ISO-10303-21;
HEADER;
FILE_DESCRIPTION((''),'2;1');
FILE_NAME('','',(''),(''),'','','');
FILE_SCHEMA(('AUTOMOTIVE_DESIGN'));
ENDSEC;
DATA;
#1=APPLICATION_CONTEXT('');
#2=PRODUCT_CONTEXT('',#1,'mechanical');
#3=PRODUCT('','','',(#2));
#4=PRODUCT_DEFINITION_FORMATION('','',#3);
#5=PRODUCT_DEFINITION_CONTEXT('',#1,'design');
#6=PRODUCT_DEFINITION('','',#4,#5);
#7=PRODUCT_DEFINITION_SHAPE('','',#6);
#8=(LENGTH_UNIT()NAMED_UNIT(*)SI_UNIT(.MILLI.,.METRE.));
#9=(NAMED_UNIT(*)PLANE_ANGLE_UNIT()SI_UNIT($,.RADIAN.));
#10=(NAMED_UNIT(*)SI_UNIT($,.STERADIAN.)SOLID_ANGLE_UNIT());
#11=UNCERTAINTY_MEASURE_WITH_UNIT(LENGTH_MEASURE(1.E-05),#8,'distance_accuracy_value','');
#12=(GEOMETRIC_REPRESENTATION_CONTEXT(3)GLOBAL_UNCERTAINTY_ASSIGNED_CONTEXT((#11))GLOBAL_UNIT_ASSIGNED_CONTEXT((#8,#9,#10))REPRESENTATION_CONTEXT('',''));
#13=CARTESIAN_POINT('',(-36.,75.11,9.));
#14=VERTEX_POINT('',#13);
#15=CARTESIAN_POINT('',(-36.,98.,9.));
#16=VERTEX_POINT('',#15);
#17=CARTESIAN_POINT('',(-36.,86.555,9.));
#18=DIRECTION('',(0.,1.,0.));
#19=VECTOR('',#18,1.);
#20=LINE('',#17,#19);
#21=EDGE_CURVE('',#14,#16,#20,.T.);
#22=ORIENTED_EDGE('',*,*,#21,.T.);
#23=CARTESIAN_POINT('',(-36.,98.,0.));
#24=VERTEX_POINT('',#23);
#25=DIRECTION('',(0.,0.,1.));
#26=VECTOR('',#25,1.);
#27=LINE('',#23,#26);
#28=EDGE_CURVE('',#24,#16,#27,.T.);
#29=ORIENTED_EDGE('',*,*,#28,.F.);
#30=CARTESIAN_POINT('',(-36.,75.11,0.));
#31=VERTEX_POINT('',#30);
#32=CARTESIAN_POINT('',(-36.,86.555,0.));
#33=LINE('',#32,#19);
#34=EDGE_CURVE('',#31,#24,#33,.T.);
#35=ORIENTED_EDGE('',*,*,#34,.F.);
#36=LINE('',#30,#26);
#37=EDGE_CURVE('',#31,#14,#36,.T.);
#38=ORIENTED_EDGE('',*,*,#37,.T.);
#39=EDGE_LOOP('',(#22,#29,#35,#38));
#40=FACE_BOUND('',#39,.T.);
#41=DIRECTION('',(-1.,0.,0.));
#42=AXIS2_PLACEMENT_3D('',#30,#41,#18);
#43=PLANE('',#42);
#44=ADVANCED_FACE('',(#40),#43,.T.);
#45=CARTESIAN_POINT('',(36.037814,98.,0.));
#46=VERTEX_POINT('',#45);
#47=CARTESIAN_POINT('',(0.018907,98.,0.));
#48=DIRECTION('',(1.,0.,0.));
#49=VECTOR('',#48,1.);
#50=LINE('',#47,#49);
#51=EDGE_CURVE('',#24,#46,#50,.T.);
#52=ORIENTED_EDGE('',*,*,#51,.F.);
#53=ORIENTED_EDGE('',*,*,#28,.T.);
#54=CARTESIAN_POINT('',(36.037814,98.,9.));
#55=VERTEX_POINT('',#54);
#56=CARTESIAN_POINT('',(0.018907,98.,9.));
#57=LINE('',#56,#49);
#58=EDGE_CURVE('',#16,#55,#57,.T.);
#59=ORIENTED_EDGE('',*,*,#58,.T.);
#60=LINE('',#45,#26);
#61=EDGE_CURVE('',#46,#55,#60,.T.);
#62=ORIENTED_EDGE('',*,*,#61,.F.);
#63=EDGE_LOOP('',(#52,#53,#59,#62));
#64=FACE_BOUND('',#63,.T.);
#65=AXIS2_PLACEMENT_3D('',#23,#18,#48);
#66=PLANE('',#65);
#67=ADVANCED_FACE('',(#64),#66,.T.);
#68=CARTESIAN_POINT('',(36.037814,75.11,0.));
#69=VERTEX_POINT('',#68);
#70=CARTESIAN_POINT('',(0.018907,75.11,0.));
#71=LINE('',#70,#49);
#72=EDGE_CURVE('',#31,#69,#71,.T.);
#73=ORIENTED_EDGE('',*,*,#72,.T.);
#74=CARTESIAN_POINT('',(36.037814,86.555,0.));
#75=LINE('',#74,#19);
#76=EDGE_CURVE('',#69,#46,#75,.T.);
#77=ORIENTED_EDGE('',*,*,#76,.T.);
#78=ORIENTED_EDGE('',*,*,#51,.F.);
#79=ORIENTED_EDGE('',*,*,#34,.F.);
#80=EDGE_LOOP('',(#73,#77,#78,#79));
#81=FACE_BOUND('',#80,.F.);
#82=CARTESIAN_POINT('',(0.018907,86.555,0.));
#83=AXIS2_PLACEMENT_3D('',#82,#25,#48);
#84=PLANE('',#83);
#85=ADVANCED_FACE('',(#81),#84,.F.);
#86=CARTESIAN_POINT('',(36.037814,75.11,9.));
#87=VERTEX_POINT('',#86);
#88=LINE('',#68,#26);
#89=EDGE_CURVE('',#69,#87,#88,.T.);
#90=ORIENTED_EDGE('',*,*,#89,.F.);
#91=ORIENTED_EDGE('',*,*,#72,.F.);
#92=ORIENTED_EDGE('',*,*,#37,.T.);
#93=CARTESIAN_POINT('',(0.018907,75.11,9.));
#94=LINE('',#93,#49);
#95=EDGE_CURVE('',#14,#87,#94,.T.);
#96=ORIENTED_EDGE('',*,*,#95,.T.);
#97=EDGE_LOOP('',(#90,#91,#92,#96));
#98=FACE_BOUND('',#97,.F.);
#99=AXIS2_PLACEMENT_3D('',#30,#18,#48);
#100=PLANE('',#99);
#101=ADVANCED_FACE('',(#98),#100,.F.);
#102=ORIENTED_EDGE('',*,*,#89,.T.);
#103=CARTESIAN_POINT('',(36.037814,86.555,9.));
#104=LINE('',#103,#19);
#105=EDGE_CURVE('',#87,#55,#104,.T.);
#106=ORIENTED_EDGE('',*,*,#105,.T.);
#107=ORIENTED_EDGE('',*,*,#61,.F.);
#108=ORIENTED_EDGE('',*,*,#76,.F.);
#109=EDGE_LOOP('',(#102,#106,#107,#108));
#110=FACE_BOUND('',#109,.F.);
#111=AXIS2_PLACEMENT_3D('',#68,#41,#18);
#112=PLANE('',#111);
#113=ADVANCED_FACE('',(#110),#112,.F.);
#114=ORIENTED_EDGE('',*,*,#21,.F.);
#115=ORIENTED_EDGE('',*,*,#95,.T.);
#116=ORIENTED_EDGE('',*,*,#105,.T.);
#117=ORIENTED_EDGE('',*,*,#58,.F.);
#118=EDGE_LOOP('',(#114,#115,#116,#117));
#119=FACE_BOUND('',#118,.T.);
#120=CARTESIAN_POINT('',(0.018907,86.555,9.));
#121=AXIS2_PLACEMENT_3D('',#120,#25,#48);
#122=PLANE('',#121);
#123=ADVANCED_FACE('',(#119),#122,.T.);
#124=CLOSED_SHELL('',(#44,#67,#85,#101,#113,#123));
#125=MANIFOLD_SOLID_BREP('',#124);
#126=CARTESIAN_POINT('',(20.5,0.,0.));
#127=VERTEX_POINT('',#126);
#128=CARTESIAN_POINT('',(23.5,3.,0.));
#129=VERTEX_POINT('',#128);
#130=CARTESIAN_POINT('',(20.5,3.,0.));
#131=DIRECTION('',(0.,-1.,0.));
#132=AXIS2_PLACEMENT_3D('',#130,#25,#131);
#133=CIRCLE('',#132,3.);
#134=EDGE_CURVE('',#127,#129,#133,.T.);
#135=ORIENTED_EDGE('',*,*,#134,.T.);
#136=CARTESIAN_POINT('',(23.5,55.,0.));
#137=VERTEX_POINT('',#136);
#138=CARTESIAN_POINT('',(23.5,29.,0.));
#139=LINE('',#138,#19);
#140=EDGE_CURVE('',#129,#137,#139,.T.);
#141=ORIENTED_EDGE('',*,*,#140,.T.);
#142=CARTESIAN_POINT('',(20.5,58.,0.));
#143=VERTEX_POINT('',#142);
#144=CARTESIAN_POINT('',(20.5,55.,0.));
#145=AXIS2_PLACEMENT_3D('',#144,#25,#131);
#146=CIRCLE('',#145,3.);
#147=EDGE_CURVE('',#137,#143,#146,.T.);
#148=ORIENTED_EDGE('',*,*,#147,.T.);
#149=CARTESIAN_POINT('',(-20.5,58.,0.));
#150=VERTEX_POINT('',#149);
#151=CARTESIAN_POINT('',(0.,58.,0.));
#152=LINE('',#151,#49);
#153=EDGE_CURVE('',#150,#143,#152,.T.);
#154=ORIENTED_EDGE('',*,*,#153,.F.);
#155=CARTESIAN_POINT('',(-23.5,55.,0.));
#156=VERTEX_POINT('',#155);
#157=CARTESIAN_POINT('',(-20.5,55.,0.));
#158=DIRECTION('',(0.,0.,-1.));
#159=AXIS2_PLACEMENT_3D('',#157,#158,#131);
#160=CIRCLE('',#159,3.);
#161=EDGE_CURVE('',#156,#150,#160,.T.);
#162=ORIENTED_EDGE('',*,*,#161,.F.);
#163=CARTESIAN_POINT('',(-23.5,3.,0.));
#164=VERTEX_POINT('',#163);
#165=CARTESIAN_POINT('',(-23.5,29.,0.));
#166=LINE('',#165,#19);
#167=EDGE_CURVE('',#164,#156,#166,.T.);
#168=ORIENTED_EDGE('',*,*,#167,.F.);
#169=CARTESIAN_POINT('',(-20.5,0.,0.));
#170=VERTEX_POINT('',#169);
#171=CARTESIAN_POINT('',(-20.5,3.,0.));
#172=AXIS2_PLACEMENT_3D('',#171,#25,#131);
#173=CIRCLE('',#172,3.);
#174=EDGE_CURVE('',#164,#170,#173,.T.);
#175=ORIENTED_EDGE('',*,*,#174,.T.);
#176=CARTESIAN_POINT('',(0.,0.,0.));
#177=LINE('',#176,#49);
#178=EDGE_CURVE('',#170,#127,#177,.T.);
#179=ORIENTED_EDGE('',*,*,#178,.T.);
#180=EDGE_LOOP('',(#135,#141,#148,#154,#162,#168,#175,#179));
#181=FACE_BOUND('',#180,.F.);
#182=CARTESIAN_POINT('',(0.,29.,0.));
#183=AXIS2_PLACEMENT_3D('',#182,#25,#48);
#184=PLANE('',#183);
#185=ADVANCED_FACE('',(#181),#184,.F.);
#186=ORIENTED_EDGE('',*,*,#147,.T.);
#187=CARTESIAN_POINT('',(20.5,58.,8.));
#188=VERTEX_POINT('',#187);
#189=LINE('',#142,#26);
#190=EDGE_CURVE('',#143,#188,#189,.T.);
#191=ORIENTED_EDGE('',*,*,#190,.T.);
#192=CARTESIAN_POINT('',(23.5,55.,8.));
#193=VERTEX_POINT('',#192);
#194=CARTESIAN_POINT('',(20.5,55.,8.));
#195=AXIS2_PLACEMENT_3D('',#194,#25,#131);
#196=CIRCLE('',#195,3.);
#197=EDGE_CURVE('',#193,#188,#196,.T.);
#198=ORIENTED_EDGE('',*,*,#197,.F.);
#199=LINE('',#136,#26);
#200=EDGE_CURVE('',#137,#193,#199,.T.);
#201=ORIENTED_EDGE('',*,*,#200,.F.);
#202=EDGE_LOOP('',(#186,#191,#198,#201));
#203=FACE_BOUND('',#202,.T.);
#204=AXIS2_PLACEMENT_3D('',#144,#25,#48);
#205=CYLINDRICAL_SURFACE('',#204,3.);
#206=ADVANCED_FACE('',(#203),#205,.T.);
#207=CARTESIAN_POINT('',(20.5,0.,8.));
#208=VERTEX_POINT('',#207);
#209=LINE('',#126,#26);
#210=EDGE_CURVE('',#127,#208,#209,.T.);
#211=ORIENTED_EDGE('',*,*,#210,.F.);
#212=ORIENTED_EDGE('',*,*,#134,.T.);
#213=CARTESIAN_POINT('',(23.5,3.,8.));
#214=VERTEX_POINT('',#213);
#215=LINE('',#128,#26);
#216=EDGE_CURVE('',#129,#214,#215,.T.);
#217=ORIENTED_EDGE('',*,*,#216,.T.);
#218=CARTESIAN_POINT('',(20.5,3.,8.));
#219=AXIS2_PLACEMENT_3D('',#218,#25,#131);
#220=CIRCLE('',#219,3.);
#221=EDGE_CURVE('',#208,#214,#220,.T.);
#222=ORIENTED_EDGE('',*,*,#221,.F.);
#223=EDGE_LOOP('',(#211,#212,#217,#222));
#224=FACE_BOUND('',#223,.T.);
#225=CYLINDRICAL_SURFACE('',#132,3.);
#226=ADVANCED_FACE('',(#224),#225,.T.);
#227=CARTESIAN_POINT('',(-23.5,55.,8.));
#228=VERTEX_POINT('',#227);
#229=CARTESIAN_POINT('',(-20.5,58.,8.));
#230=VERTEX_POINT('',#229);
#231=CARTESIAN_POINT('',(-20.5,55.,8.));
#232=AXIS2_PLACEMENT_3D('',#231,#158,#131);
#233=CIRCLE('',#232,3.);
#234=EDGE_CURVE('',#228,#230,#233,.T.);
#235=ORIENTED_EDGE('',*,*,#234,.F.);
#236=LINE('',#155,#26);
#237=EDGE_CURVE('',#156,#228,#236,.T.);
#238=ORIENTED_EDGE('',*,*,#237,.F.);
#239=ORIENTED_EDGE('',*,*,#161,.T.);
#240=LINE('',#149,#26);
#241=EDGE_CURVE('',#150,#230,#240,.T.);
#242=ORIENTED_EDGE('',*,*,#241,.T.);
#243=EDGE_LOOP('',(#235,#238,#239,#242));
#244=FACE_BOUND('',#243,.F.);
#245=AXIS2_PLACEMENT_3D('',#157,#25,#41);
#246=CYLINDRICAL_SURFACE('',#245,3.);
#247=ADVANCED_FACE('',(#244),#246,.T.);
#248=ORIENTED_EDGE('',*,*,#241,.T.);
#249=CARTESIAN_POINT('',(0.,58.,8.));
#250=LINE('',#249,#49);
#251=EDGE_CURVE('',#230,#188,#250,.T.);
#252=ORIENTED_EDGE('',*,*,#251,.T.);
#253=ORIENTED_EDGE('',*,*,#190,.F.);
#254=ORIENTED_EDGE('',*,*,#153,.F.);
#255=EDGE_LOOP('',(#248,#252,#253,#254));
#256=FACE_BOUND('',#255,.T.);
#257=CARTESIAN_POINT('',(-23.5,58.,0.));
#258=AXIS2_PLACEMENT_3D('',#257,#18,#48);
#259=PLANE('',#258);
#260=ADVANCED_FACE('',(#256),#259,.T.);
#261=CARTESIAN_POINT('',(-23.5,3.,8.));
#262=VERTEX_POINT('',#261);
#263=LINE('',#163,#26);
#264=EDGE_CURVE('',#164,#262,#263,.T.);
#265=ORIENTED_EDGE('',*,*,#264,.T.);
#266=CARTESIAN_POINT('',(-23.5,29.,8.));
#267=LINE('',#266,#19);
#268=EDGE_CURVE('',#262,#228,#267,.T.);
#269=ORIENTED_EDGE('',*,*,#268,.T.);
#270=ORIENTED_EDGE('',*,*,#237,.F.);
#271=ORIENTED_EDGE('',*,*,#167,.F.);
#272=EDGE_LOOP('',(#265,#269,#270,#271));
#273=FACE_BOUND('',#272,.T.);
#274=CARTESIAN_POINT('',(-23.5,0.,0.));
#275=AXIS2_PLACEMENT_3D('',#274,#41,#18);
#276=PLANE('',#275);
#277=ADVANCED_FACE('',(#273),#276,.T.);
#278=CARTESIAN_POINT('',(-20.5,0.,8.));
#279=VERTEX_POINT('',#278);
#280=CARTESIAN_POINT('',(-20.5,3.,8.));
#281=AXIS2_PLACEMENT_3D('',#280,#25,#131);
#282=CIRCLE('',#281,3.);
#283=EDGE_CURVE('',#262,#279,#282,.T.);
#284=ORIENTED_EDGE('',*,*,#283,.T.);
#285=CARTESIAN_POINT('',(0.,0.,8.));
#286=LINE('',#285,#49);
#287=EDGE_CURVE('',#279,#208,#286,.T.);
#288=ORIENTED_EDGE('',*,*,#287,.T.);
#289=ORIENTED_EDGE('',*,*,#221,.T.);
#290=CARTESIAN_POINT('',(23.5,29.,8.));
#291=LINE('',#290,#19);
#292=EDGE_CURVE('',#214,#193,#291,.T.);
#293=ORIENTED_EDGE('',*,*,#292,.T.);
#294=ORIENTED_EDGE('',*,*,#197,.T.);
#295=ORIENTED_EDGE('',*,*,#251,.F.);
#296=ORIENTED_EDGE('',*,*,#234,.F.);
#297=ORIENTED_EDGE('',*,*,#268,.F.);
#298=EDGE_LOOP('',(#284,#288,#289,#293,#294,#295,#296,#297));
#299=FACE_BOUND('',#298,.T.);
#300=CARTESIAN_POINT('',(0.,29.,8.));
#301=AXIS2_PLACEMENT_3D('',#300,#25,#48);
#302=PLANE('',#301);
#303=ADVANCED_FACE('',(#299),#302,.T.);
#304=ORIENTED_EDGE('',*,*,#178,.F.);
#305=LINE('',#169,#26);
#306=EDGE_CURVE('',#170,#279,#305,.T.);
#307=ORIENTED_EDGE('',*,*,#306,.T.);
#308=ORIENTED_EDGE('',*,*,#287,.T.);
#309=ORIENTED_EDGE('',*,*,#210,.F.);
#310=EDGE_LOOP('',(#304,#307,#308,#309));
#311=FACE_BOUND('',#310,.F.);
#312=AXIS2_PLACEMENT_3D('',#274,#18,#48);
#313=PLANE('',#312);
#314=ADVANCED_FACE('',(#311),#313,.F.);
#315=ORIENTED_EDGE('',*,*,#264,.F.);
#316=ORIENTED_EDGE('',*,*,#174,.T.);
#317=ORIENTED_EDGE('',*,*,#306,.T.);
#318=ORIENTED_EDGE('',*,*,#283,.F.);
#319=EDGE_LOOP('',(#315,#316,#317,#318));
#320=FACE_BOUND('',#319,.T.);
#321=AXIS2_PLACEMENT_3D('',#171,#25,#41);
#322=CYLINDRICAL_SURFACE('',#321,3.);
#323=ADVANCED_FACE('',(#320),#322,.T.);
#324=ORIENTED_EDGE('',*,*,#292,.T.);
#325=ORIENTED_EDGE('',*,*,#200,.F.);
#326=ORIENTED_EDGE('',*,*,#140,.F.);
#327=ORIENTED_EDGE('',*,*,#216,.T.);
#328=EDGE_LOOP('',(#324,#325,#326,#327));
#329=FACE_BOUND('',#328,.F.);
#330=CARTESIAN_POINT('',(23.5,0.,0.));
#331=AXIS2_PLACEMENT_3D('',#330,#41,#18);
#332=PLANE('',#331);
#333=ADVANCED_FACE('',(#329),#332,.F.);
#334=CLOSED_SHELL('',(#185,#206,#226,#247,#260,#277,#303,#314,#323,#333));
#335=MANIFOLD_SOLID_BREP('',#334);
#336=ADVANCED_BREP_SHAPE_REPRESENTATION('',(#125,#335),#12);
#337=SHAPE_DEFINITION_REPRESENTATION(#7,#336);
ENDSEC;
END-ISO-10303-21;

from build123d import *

# Parameters (mm, degrees)
F0_W     = 47
F0_H     = 58
F2_DEPTH = 8
F1_W     = 72.037814
F1_H     = 22.89
F3_DEPTH = 9
F4_R     = 3


with BuildPart() as f2:
    # F0 (on Top) → F2 (new body)
    with BuildSketch(Plane.XY):
        with Locations((0, 29)):
            Rectangle(F0_W, F0_H)
    extrude(amount=F2_DEPTH)

    # F4
    f4_edges = [f2.edges().sort_by_distance(p)[0] for p in [
        (-23.5, 58, 4),
        (23.5, 58, 4),
        (23.5, 0, 4),
        (-23.5, 0, 4),
    ]]
    fillet(f4_edges, radius=F4_R)


with BuildPart() as f3:
    # F1 (on Top) → F3 (new body)
    with BuildSketch(Plane.XY):
        with Locations((0.018907, 86.555)):
            Rectangle(F1_W, F1_H)
    extrude(amount=F3_DEPTH)


solid = Compound([f2.part, f3.part])
